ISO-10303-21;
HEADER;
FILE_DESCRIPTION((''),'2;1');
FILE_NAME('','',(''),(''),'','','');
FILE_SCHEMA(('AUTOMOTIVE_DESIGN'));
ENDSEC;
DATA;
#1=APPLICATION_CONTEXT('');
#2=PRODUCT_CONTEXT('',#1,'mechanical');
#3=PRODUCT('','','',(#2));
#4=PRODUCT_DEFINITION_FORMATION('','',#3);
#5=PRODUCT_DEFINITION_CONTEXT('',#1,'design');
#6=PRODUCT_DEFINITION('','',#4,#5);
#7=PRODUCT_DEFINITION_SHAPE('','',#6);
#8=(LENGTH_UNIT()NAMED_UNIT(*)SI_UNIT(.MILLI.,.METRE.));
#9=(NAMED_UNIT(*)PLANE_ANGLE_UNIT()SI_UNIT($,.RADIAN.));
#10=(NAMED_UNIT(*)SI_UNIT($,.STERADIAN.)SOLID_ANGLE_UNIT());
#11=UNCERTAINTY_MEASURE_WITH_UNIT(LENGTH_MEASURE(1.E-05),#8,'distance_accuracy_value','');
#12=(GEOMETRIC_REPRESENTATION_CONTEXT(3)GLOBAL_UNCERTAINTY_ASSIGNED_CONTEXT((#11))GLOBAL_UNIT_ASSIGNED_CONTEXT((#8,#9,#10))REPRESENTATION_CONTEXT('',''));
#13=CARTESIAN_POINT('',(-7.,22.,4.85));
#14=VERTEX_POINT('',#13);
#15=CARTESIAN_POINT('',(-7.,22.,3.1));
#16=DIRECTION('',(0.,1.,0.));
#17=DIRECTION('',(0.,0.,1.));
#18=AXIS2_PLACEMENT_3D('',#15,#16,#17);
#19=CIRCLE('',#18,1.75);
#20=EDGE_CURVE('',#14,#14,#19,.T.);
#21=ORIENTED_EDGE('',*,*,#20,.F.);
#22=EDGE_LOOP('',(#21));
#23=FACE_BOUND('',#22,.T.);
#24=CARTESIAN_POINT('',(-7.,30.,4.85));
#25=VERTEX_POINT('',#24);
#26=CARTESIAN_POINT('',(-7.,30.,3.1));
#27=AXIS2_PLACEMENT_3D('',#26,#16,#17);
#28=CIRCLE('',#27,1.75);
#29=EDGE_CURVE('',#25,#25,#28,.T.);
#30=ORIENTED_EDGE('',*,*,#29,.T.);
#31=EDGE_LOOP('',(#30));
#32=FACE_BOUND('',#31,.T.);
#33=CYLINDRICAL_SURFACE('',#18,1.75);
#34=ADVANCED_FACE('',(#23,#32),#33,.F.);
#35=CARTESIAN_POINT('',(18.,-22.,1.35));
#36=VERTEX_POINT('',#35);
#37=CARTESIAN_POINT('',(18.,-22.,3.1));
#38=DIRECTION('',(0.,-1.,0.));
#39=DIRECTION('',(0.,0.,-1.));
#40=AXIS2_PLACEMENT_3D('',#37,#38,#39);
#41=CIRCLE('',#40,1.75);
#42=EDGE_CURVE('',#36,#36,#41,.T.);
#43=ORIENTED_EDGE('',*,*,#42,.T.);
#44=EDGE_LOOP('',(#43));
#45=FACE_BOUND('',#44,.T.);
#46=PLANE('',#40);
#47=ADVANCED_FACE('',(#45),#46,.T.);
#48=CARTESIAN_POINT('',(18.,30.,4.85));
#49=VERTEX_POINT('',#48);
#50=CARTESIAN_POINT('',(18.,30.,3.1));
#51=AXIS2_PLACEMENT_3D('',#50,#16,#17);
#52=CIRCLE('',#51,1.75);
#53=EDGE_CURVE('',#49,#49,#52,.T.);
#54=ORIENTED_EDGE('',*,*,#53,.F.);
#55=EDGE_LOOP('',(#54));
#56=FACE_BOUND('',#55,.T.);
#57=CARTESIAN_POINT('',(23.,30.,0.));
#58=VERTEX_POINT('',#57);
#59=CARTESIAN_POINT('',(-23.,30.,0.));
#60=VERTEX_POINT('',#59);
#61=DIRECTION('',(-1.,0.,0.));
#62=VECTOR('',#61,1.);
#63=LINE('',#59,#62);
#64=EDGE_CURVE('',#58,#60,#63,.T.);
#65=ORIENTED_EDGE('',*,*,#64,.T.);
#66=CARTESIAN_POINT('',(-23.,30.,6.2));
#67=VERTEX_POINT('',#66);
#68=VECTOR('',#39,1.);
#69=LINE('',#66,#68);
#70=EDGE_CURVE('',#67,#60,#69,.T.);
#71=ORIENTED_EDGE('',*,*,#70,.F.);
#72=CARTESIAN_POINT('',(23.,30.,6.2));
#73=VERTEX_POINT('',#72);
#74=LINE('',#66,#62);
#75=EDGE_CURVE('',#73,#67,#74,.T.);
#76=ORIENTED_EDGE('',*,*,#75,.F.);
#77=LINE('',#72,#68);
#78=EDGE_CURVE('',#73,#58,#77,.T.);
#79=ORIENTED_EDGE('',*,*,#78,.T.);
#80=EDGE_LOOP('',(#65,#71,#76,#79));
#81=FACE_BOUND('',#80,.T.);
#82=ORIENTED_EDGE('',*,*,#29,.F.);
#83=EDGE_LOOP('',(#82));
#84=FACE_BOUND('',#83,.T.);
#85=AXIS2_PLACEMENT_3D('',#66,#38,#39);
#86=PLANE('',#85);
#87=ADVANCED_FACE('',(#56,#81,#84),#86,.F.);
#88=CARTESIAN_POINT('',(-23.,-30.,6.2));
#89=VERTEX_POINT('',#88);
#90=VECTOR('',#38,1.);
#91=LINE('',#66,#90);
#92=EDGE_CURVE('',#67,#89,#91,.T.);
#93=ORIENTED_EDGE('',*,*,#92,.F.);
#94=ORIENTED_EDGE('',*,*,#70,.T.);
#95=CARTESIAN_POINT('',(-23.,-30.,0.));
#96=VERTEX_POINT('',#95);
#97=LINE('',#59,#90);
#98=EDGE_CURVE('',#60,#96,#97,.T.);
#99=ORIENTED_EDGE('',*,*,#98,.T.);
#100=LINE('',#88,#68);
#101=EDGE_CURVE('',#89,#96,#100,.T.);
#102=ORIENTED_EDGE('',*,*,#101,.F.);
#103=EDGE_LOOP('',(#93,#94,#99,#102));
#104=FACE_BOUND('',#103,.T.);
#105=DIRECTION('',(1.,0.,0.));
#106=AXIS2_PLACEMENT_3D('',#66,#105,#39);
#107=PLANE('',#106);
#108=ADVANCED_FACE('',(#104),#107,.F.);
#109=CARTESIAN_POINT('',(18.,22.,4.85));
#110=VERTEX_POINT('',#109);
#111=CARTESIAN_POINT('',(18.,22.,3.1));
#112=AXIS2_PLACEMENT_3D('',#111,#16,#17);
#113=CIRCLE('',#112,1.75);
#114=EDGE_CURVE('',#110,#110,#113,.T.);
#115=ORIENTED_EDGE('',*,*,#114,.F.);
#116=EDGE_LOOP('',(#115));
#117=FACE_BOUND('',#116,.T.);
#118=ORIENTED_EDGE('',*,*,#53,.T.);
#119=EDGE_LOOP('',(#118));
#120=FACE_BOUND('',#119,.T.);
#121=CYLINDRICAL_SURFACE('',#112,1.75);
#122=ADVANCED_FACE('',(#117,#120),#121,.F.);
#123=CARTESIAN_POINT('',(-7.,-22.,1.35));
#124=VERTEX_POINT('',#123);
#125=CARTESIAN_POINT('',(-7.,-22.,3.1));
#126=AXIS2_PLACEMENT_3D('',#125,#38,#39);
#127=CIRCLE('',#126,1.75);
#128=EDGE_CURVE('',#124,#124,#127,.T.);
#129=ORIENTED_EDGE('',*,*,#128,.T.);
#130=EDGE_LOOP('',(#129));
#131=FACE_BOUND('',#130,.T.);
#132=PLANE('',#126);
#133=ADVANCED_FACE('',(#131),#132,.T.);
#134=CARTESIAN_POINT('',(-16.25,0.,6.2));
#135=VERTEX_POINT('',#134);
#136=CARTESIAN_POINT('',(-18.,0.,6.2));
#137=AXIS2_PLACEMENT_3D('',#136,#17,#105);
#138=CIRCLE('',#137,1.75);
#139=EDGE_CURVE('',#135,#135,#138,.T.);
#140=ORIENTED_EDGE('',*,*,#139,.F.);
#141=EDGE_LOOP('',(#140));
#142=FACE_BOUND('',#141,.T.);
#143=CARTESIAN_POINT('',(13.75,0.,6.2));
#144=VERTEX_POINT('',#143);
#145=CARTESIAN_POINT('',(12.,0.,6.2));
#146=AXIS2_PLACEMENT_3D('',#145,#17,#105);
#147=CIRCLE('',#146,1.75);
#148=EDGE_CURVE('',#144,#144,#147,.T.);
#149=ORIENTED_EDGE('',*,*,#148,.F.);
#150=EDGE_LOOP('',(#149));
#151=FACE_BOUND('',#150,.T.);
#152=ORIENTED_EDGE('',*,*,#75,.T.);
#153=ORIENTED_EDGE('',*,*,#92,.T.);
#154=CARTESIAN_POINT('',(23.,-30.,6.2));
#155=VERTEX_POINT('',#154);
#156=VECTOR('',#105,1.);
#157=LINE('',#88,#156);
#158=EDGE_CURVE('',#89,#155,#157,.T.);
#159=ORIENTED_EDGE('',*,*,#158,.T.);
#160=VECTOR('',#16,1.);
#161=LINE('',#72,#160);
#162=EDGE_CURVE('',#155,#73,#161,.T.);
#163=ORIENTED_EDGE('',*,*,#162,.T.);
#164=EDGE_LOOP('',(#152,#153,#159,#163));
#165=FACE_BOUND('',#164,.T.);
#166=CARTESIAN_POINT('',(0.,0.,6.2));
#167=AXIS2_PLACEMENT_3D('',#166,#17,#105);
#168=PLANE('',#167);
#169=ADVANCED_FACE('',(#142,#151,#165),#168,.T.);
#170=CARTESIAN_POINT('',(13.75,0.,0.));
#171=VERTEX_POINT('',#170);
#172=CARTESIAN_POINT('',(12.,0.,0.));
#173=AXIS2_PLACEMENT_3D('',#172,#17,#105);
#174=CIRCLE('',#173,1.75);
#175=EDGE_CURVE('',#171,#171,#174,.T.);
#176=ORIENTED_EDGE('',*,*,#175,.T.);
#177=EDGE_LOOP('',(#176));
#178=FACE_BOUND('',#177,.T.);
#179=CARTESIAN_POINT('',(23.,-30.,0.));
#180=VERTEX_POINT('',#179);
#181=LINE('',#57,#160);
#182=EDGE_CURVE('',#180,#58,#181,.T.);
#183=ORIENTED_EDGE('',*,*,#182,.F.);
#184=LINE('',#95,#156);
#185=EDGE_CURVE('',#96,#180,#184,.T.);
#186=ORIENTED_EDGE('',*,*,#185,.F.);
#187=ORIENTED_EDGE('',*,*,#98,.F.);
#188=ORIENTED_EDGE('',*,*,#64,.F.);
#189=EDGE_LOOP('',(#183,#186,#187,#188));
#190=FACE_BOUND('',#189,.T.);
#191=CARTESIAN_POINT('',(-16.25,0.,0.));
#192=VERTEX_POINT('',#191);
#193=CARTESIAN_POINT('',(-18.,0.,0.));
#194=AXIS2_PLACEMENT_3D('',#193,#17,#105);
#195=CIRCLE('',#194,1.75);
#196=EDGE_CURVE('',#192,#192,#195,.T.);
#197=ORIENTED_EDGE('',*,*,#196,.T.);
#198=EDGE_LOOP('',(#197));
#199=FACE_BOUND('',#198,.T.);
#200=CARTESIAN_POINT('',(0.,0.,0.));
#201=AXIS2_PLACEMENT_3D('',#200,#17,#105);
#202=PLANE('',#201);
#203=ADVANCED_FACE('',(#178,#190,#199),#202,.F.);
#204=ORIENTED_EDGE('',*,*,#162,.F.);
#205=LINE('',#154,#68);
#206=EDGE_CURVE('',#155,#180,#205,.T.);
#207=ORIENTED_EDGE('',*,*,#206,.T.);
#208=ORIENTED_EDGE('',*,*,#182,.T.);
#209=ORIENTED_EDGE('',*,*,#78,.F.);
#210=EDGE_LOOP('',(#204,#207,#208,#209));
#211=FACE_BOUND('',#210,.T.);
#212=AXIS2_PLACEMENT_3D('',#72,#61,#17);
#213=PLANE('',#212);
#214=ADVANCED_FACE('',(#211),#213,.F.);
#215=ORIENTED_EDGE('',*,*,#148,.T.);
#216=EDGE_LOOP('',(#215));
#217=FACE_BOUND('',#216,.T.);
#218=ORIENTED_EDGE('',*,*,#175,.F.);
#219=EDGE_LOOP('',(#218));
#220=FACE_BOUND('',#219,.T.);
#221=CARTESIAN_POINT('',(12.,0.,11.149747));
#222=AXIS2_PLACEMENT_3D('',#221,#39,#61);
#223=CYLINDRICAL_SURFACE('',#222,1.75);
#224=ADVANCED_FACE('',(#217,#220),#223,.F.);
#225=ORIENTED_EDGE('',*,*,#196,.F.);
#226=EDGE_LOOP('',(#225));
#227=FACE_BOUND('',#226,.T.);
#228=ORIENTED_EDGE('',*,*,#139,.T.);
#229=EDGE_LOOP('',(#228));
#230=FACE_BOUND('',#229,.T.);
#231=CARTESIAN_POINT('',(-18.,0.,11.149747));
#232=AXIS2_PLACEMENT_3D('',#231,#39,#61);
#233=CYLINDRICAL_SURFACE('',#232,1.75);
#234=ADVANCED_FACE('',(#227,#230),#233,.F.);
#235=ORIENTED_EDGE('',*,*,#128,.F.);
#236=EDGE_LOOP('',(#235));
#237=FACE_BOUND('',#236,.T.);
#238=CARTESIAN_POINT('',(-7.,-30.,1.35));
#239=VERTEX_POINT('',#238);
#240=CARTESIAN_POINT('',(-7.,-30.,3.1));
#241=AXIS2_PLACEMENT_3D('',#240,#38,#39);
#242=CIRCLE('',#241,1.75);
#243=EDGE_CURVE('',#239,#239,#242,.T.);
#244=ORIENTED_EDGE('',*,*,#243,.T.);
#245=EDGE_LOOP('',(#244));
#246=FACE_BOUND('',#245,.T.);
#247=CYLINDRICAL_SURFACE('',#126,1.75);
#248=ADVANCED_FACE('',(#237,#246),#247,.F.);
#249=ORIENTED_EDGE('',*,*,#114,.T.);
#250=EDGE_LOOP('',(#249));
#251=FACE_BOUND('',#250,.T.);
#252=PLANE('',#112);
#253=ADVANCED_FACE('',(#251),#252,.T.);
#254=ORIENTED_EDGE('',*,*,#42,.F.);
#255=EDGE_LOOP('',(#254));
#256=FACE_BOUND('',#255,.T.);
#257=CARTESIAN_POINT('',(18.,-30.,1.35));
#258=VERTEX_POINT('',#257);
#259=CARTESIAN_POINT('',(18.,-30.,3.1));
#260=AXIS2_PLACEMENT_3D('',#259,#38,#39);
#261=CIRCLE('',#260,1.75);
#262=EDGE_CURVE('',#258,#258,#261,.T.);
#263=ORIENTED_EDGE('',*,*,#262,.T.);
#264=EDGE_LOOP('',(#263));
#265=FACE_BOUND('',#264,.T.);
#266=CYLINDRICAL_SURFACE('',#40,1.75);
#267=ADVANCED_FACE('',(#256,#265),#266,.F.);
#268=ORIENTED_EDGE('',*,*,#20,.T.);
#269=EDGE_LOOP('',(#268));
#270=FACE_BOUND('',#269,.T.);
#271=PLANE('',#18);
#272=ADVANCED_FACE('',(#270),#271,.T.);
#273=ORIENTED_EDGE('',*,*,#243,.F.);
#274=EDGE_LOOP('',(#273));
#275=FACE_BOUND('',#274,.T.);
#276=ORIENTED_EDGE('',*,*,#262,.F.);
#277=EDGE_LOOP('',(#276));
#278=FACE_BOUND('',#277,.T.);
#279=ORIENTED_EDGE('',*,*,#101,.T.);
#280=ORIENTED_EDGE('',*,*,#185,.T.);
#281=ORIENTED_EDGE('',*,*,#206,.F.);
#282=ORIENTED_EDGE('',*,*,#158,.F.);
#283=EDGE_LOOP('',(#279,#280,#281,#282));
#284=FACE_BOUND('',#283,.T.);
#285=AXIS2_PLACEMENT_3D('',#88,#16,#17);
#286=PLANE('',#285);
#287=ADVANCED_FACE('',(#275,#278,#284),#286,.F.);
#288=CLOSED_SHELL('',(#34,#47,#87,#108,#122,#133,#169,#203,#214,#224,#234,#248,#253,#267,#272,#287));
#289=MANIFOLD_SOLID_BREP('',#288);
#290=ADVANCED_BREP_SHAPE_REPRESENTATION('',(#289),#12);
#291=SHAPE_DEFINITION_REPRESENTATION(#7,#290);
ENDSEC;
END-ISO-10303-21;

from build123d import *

# Parameters (mm, degrees)
SKETCH1_W         = 46
SKETCH1_H         = 60
EXTRUDE_1_4_DEPTH = 6.2
SKETCH2_R         = 1.75
M4_DRILL_DEPTH    = 6.2
SKETCH3_R         = 1.75
M4_DRILL2_DEPTH   = 8
M4_DRILL3_START   = -8
SKETCH4_R         = 1.75
M4_DRILL3_DEPTH   = 8


with BuildPart() as part:
    # Sketch1 → 1/4 (new body)
    with BuildSketch(Plane.XY):
        Rectangle(SKETCH1_W, SKETCH1_H)
    extrude(amount=EXTRUDE_1_4_DEPTH)

    # Sketch2 → M4_DRILL (cut)
    with BuildSketch(Plane.XY):
        with Locations((-18, 0)):
            Circle(SKETCH2_R)
        with Locations((12, 0)):
            Circle(SKETCH2_R)
    extrude(amount=M4_DRILL_DEPTH, mode=Mode.SUBTRACT)

    # Sketch3 → M4_DRILL2 (cut)
    with BuildSketch(Plane.XZ.offset(30)):
        with Locations(Location((-7, 3.1, 0), (0, 0, 270))):
            Circle(SKETCH3_R)
        with Locations(Location((18, 3.1, 0), (0, 0, 270))):
            Circle(SKETCH3_R)
    extrude(amount=-M4_DRILL2_DEPTH, mode=Mode.SUBTRACT)

    # Sketch4 → M4_DRILL3 (cut)
    with BuildSketch(Plane(origin=(0, 30, 0), x_dir=(1, 0, 0), z_dir=(0, 1, 0)).offset(M4_DRILL3_START)):
        with Locations(Location((18, -3.1, 0), (0, 0, 90))):
            Circle(SKETCH4_R)
        with Locations(Location((-7, -3.1, 0), (0, 0, 90))):
            Circle(SKETCH4_R)
    extrude(amount=M4_DRILL3_DEPTH, mode=Mode.SUBTRACT)


solid = part.part
